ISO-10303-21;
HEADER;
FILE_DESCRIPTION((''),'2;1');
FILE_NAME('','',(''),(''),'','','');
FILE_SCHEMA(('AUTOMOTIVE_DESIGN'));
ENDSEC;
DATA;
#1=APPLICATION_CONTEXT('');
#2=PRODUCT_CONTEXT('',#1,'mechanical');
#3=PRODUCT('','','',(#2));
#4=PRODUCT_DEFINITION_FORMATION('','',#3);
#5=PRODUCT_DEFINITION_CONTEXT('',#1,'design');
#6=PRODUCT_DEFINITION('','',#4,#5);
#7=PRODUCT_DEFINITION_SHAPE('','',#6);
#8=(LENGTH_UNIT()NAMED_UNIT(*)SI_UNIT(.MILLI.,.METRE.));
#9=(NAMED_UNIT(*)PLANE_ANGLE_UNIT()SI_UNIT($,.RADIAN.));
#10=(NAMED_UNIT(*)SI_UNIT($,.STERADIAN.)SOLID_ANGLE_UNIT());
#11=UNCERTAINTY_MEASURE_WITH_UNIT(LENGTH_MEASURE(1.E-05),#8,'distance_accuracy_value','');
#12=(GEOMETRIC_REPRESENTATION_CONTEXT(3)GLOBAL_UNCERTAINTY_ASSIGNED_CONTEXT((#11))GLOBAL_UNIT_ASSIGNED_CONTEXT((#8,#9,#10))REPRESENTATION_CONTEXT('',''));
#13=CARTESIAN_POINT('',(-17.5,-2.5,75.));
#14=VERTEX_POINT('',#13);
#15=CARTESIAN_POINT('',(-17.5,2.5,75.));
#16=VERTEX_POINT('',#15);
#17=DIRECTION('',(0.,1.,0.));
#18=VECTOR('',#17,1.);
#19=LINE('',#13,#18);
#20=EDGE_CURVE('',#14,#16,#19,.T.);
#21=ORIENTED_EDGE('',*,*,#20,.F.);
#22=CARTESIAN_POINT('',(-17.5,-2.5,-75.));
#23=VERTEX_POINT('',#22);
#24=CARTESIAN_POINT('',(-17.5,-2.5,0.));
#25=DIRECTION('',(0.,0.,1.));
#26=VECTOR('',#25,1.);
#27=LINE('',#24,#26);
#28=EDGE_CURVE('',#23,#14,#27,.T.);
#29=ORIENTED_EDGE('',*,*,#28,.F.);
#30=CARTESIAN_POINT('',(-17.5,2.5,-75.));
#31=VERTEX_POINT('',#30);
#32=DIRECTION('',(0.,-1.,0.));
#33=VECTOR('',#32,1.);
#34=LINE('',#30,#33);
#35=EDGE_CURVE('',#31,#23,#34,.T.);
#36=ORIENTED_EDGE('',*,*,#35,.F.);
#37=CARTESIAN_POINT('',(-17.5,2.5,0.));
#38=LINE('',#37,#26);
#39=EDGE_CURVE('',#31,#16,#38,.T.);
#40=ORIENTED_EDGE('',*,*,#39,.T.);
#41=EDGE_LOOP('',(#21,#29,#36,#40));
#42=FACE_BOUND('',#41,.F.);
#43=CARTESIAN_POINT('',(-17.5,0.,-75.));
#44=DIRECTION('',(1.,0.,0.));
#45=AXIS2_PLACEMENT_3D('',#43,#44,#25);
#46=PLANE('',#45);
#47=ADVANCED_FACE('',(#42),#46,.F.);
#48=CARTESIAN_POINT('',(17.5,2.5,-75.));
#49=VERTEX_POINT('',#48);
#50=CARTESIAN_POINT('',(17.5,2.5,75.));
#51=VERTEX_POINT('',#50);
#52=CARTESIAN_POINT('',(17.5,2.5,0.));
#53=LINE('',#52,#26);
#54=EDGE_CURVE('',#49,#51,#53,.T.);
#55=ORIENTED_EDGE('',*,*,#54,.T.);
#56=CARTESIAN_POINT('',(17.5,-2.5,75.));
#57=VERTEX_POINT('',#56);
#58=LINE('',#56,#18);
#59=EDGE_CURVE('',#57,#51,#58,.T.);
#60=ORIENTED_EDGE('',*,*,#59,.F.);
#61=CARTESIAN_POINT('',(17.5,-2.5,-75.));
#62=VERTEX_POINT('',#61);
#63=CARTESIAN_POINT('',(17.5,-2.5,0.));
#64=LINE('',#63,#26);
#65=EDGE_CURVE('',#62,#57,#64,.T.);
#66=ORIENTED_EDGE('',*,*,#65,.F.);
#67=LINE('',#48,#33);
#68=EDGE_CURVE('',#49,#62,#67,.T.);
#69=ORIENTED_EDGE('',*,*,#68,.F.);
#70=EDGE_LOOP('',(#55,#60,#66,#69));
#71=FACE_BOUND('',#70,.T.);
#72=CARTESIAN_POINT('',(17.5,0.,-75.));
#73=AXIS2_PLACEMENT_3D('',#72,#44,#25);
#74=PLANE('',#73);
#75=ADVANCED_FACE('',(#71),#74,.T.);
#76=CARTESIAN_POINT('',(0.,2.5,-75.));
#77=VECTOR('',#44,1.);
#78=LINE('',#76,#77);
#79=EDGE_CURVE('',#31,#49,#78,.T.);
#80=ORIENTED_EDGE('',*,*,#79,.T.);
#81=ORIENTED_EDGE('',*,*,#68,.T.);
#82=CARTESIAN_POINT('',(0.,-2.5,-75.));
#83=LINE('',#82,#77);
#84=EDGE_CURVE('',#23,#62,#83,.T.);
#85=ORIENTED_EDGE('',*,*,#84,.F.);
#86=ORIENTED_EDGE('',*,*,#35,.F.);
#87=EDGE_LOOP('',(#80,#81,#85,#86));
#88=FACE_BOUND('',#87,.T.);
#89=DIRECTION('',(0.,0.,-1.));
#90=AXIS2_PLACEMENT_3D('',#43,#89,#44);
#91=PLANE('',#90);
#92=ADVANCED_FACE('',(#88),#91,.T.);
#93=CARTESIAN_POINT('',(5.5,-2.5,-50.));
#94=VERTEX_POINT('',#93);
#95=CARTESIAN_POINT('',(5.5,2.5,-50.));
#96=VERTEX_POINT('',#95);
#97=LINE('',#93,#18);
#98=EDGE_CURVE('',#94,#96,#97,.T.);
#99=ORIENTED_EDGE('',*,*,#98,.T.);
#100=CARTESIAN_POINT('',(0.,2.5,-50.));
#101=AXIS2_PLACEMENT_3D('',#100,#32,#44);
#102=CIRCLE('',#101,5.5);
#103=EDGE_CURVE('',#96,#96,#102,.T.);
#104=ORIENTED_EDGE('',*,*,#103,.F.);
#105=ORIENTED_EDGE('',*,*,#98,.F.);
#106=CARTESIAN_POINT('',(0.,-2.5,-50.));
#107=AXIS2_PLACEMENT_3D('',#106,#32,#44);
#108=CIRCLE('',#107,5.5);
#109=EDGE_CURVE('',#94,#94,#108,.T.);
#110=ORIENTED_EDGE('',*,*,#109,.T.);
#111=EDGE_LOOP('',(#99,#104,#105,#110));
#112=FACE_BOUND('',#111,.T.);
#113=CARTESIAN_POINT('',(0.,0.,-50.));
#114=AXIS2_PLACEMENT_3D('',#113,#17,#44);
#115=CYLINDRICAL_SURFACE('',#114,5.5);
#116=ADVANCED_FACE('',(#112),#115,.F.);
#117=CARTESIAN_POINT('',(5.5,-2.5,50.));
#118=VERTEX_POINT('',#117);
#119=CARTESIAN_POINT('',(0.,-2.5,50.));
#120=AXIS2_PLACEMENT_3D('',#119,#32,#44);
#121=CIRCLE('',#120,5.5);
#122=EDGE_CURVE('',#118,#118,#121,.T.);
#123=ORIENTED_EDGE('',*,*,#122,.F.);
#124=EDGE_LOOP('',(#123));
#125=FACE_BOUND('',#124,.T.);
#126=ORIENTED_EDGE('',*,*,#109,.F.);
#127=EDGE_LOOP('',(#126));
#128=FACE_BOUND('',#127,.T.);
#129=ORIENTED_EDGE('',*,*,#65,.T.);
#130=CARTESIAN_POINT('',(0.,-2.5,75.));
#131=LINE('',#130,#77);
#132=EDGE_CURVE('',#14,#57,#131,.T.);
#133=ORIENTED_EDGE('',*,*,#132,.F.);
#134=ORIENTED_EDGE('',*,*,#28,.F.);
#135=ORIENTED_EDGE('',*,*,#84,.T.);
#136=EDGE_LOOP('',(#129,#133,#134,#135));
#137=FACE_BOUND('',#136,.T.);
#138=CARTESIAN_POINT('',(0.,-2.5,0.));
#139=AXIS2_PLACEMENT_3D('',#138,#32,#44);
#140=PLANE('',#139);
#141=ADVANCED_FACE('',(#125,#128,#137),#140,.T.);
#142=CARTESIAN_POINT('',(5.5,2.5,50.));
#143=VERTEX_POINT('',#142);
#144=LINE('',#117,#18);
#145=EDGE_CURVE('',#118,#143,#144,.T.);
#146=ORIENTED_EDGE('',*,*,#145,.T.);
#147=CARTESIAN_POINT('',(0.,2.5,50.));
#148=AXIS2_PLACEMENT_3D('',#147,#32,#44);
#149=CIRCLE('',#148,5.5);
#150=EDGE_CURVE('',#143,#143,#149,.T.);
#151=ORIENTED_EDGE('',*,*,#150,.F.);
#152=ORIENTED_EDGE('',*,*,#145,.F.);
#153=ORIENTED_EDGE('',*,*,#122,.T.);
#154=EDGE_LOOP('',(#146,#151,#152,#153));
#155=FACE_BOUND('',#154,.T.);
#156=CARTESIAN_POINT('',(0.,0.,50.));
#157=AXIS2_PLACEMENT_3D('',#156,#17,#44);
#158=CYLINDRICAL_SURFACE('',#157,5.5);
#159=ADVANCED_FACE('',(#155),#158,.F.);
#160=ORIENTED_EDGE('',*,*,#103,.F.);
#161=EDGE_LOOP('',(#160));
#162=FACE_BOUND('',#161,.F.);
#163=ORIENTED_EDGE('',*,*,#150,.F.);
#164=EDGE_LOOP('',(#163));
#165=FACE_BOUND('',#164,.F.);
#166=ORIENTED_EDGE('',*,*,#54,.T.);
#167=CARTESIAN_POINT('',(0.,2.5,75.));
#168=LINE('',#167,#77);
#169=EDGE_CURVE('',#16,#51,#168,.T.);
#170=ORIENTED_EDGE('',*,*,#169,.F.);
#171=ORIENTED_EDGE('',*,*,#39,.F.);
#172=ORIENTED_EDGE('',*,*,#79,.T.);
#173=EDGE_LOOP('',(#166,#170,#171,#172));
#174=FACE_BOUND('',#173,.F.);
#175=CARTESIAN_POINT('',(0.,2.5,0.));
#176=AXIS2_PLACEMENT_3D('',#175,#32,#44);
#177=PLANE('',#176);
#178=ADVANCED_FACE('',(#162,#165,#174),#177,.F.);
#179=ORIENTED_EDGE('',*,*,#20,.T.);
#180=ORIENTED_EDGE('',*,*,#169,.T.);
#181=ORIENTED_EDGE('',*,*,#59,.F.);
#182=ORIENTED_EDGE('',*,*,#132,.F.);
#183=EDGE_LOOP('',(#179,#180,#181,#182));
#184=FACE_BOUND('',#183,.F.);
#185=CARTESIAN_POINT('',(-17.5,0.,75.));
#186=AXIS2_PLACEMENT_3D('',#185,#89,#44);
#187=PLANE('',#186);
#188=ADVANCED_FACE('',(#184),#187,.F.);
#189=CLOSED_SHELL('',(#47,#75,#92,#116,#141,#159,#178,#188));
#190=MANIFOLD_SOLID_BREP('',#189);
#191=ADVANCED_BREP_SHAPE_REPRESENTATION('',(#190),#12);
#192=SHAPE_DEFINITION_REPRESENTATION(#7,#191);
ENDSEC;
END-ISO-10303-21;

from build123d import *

# Parameters (mm, degrees)
F0_W     = 35
F0_H     = 150
F0_R     = 5.5
F1_DEPTH = 2.5


with BuildPart() as f1:
    # F0 (on Front) → F1 (new body, symmetric)
    with BuildSketch(Plane.XZ):
        Rectangle(F0_W, F0_H)
        with Locations((0, -50)):
            Circle(F0_R, mode=Mode.SUBTRACT)
        with Locations((0, 50)):
            Circle(F0_R, mode=Mode.SUBTRACT)
    extrude(amount=F1_DEPTH, both=True)


solid = f1.part
